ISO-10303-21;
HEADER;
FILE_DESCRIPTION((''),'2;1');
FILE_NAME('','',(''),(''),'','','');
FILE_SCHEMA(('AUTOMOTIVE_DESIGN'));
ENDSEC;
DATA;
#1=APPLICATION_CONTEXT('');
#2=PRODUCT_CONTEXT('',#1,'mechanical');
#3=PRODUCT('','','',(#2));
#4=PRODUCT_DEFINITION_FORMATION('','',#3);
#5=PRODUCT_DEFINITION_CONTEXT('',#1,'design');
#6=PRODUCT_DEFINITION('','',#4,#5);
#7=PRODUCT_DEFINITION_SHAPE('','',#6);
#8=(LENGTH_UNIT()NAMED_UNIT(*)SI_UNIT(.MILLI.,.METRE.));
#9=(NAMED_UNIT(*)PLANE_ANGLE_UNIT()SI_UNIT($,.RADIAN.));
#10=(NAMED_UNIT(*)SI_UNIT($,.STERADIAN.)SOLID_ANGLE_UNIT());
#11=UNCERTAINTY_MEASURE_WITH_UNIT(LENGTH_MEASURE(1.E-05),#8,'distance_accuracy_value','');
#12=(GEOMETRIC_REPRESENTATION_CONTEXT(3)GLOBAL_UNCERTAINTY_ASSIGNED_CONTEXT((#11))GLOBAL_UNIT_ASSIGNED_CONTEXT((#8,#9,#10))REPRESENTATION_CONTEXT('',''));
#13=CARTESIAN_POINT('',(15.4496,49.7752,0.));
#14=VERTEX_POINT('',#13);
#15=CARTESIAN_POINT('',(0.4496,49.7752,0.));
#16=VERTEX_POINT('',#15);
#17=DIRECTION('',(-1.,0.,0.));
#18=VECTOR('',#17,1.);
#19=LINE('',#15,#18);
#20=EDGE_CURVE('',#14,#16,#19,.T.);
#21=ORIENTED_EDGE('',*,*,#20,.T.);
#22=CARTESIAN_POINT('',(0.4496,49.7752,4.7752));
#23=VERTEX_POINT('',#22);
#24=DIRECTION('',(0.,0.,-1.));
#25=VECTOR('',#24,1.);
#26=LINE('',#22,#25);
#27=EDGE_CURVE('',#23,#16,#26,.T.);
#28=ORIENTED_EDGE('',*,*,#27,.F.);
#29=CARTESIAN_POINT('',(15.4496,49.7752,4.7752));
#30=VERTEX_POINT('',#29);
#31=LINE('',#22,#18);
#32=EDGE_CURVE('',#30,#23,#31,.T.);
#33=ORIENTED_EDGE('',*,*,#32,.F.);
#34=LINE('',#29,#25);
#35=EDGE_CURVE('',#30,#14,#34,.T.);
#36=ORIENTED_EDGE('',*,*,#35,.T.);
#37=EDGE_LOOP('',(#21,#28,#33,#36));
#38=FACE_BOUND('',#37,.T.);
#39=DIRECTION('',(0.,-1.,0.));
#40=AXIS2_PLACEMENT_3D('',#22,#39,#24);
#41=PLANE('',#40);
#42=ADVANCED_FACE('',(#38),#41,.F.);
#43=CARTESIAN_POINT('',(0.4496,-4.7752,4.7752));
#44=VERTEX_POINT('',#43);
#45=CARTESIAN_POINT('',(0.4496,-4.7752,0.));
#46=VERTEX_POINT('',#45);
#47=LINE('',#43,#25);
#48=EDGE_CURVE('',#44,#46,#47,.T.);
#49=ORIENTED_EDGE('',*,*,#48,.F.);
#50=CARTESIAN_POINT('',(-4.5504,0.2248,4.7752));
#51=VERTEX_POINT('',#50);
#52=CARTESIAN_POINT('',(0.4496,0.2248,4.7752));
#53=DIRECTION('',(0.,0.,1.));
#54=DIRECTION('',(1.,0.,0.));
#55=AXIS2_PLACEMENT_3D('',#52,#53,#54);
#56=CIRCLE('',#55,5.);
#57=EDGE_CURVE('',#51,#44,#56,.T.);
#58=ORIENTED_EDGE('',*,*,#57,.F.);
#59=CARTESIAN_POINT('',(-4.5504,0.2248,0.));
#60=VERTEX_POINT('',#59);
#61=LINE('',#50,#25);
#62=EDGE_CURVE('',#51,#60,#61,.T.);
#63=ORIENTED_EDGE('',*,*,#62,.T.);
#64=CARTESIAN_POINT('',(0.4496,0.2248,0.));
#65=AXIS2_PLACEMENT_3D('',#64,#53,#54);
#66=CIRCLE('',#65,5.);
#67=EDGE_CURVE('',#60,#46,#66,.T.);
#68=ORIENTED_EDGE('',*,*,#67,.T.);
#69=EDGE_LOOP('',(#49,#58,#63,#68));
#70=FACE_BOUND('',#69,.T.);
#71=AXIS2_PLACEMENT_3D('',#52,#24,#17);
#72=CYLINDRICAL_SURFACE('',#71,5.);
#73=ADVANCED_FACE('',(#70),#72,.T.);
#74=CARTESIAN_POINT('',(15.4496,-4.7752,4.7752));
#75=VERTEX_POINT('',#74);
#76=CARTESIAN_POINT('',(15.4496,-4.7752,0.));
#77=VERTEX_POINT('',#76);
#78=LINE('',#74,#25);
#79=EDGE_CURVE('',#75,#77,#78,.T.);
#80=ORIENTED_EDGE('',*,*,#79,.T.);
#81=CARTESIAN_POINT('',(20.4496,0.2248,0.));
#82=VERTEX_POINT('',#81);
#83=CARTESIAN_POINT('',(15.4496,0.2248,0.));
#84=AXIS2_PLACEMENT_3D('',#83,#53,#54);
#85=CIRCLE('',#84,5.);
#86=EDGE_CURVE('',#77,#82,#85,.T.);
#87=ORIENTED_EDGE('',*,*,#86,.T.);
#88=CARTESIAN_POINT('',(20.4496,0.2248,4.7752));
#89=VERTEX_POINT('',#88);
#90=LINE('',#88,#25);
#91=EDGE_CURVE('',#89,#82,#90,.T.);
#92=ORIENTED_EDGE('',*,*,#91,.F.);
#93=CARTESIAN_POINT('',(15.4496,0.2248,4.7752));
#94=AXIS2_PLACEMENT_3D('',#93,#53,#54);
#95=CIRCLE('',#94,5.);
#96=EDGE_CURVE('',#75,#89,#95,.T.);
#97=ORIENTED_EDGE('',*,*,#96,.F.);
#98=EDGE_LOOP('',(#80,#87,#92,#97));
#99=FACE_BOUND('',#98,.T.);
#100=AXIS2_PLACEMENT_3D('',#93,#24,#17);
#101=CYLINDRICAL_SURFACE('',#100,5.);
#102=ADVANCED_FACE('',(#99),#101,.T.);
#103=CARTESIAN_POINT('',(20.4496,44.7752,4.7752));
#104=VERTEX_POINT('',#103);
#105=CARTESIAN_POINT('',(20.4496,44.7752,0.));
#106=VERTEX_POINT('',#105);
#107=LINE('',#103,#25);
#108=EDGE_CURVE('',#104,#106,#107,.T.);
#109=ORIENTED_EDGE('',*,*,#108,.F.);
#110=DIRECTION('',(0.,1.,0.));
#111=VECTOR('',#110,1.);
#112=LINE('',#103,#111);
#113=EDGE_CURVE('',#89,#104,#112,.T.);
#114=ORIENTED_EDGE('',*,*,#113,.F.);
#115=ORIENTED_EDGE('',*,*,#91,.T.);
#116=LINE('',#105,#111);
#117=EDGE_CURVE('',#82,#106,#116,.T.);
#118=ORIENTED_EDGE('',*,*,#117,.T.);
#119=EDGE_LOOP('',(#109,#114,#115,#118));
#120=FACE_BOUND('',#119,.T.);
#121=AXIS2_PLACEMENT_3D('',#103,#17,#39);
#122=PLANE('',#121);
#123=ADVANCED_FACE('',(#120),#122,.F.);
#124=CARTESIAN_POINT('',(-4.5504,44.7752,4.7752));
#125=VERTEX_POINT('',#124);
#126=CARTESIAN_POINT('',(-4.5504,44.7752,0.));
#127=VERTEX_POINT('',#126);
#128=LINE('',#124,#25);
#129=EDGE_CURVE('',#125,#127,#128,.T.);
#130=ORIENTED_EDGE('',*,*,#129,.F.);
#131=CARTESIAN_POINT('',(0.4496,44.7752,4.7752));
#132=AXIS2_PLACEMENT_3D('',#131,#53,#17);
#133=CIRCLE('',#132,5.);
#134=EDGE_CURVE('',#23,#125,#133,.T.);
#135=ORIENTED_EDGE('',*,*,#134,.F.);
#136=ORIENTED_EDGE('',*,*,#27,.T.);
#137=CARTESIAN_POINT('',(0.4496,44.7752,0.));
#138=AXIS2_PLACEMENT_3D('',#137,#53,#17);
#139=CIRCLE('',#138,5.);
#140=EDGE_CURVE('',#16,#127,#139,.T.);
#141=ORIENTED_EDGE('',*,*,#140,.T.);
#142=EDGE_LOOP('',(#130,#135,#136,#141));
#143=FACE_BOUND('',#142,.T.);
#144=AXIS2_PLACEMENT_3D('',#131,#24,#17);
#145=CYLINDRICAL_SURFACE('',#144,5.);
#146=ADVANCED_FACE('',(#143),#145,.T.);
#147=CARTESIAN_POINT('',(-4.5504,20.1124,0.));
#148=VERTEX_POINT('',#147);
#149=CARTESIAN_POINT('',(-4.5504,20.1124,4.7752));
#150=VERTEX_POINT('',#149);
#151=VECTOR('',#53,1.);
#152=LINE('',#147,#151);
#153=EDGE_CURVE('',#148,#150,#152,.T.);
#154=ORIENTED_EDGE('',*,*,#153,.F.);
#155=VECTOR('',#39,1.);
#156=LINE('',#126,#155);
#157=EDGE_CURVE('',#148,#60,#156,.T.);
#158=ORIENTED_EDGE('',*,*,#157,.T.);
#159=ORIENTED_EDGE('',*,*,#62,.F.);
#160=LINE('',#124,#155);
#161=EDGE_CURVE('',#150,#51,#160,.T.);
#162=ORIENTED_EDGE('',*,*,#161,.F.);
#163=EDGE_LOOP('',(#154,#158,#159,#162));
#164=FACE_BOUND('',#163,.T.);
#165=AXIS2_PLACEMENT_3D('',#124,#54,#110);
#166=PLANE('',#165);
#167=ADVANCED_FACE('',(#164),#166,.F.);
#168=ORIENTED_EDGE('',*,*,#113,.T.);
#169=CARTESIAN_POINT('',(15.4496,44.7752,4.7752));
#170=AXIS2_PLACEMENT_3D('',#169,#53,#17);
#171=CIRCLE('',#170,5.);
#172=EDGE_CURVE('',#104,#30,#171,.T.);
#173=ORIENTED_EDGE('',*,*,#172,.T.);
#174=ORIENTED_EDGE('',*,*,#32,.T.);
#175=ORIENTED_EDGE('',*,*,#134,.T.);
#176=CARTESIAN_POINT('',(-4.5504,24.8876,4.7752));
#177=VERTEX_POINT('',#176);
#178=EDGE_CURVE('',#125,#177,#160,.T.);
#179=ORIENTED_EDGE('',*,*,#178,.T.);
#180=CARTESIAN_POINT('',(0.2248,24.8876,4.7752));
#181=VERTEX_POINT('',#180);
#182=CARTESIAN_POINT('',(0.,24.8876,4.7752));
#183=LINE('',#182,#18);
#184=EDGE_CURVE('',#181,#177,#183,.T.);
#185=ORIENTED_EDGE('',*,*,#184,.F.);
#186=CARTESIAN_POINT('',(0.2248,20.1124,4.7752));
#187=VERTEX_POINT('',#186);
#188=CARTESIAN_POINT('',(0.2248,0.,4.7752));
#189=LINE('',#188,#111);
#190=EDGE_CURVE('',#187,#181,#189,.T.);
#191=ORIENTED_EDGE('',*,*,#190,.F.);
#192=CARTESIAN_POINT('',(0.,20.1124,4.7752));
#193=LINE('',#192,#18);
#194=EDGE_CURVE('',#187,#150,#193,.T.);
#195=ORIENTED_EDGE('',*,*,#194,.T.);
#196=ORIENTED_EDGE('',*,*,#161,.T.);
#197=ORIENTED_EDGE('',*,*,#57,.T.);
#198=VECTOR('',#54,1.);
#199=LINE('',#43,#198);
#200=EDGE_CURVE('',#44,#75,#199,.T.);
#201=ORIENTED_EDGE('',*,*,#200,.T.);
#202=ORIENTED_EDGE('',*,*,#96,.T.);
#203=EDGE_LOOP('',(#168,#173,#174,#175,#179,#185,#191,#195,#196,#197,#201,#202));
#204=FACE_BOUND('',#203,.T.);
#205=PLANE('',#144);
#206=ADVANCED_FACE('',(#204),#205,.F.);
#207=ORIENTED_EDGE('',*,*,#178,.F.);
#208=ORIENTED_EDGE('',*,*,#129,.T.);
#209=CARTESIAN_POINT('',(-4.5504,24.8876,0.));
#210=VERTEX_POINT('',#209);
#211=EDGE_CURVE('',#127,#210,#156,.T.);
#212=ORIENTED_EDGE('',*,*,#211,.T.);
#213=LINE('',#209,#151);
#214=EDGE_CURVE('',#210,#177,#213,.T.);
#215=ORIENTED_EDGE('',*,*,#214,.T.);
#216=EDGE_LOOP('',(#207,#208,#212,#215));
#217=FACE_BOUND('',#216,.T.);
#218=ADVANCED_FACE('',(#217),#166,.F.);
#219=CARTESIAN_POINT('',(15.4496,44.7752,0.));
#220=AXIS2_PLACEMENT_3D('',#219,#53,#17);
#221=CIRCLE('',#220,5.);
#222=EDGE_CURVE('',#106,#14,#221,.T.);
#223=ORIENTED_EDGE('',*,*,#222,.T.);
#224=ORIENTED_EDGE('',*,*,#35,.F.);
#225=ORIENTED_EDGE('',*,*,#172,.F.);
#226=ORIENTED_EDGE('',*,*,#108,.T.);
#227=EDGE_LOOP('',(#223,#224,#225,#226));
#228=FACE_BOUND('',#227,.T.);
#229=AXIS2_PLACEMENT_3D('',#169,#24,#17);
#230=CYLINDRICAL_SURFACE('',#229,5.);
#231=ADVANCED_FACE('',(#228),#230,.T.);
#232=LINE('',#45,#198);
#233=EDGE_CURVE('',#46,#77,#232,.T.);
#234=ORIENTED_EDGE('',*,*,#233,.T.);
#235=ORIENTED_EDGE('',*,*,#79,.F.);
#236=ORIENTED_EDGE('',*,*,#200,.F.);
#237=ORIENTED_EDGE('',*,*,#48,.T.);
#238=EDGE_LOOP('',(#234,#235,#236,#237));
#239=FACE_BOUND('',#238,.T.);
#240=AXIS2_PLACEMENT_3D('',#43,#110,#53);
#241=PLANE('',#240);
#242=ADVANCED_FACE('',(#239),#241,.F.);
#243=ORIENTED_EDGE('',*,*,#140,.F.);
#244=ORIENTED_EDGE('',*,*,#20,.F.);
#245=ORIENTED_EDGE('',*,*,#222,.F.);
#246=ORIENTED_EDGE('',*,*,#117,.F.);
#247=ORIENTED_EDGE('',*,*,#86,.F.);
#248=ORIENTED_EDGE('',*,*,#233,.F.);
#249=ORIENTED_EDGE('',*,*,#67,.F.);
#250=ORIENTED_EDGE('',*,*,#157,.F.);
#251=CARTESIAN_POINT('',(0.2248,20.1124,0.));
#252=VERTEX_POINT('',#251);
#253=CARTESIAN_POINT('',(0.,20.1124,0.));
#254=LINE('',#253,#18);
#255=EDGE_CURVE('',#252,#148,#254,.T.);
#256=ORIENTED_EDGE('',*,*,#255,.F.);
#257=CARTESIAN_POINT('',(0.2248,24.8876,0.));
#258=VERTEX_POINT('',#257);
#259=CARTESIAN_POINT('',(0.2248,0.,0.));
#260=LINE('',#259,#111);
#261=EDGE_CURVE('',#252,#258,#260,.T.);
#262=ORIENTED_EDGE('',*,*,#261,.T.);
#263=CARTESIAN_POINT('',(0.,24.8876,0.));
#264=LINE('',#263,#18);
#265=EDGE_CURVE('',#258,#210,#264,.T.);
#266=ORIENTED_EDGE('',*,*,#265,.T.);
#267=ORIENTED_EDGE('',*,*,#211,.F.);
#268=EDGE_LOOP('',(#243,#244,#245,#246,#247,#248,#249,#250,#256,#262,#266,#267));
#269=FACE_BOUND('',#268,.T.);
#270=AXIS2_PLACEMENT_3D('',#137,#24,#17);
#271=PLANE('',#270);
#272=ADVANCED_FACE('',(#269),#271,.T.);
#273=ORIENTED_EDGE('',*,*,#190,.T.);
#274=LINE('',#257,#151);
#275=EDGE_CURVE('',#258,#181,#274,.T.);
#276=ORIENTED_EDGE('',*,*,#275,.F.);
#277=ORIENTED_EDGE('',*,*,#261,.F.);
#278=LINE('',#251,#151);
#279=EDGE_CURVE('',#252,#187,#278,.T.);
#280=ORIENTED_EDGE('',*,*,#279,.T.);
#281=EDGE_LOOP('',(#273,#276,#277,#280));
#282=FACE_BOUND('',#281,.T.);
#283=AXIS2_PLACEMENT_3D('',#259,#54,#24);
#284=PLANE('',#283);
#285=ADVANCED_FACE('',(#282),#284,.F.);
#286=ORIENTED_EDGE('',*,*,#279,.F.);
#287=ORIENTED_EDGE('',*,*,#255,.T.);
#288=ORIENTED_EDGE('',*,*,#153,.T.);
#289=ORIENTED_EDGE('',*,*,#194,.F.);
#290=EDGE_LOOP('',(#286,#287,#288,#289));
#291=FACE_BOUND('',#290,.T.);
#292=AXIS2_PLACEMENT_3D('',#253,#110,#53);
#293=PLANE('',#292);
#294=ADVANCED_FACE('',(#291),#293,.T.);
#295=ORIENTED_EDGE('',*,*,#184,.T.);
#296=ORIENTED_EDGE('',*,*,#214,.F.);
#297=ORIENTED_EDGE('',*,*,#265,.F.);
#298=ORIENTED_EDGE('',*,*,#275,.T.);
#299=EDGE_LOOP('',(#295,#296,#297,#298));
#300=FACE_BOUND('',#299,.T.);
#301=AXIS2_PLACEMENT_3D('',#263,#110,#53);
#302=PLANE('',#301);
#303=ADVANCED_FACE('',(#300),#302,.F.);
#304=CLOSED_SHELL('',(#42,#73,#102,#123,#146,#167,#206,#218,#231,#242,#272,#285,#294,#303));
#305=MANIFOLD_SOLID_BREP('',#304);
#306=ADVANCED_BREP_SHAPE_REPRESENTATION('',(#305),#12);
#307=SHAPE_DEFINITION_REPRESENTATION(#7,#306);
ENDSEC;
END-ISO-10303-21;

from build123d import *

# Parameters (mm, degrees)
BOSS_EXTRUDE1_DEPTH = 4.7752
SKETCH4_W           = 4.7752
SKETCH4_H           = 4.7752
CUT_EXTRUDE1_DEPTH  = 5.7752


with BuildPart() as part:
    # Sketch1 → Boss-Extrude1 (new body)
    with BuildSketch(Plane.XY):
        with BuildLine():
            Line((-4.5504, 44.7752), (-4.5504, 0.2248))
            ThreePointArc((-4.5504, 0.2248), (-3.085933906, -3.310733906), (0.4496, -4.7752))
            Line((0.4496, -4.7752), (15.4496, -4.7752))
            ThreePointArc((15.4496, -4.7752), (18.985133906, -3.310733906), (20.4496, 0.2248))
            Line((20.4496, 0.2248), (20.4496, 44.7752))
            ThreePointArc((20.4496, 44.7752), (18.985133906, 48.310733906), (15.4496, 49.7752))
            Line((15.4496, 49.7752), (0.4496, 49.7752))
            ThreePointArc((0.4496, 49.7752), (-3.085933906, 48.310733906), (-4.5504, 44.7752))
        make_face()
    extrude(amount=BOSS_EXTRUDE1_DEPTH)

    # Sketch4 → Cut-Extrude1 (cut, through all)
    with BuildSketch(Plane.XY.offset(4.7752)):
        with Locations((-2.1628, 22.5)):
            Rectangle(SKETCH4_W, SKETCH4_H)
    extrude(amount=-CUT_EXTRUDE1_DEPTH, mode=Mode.SUBTRACT)


solid = part.part
